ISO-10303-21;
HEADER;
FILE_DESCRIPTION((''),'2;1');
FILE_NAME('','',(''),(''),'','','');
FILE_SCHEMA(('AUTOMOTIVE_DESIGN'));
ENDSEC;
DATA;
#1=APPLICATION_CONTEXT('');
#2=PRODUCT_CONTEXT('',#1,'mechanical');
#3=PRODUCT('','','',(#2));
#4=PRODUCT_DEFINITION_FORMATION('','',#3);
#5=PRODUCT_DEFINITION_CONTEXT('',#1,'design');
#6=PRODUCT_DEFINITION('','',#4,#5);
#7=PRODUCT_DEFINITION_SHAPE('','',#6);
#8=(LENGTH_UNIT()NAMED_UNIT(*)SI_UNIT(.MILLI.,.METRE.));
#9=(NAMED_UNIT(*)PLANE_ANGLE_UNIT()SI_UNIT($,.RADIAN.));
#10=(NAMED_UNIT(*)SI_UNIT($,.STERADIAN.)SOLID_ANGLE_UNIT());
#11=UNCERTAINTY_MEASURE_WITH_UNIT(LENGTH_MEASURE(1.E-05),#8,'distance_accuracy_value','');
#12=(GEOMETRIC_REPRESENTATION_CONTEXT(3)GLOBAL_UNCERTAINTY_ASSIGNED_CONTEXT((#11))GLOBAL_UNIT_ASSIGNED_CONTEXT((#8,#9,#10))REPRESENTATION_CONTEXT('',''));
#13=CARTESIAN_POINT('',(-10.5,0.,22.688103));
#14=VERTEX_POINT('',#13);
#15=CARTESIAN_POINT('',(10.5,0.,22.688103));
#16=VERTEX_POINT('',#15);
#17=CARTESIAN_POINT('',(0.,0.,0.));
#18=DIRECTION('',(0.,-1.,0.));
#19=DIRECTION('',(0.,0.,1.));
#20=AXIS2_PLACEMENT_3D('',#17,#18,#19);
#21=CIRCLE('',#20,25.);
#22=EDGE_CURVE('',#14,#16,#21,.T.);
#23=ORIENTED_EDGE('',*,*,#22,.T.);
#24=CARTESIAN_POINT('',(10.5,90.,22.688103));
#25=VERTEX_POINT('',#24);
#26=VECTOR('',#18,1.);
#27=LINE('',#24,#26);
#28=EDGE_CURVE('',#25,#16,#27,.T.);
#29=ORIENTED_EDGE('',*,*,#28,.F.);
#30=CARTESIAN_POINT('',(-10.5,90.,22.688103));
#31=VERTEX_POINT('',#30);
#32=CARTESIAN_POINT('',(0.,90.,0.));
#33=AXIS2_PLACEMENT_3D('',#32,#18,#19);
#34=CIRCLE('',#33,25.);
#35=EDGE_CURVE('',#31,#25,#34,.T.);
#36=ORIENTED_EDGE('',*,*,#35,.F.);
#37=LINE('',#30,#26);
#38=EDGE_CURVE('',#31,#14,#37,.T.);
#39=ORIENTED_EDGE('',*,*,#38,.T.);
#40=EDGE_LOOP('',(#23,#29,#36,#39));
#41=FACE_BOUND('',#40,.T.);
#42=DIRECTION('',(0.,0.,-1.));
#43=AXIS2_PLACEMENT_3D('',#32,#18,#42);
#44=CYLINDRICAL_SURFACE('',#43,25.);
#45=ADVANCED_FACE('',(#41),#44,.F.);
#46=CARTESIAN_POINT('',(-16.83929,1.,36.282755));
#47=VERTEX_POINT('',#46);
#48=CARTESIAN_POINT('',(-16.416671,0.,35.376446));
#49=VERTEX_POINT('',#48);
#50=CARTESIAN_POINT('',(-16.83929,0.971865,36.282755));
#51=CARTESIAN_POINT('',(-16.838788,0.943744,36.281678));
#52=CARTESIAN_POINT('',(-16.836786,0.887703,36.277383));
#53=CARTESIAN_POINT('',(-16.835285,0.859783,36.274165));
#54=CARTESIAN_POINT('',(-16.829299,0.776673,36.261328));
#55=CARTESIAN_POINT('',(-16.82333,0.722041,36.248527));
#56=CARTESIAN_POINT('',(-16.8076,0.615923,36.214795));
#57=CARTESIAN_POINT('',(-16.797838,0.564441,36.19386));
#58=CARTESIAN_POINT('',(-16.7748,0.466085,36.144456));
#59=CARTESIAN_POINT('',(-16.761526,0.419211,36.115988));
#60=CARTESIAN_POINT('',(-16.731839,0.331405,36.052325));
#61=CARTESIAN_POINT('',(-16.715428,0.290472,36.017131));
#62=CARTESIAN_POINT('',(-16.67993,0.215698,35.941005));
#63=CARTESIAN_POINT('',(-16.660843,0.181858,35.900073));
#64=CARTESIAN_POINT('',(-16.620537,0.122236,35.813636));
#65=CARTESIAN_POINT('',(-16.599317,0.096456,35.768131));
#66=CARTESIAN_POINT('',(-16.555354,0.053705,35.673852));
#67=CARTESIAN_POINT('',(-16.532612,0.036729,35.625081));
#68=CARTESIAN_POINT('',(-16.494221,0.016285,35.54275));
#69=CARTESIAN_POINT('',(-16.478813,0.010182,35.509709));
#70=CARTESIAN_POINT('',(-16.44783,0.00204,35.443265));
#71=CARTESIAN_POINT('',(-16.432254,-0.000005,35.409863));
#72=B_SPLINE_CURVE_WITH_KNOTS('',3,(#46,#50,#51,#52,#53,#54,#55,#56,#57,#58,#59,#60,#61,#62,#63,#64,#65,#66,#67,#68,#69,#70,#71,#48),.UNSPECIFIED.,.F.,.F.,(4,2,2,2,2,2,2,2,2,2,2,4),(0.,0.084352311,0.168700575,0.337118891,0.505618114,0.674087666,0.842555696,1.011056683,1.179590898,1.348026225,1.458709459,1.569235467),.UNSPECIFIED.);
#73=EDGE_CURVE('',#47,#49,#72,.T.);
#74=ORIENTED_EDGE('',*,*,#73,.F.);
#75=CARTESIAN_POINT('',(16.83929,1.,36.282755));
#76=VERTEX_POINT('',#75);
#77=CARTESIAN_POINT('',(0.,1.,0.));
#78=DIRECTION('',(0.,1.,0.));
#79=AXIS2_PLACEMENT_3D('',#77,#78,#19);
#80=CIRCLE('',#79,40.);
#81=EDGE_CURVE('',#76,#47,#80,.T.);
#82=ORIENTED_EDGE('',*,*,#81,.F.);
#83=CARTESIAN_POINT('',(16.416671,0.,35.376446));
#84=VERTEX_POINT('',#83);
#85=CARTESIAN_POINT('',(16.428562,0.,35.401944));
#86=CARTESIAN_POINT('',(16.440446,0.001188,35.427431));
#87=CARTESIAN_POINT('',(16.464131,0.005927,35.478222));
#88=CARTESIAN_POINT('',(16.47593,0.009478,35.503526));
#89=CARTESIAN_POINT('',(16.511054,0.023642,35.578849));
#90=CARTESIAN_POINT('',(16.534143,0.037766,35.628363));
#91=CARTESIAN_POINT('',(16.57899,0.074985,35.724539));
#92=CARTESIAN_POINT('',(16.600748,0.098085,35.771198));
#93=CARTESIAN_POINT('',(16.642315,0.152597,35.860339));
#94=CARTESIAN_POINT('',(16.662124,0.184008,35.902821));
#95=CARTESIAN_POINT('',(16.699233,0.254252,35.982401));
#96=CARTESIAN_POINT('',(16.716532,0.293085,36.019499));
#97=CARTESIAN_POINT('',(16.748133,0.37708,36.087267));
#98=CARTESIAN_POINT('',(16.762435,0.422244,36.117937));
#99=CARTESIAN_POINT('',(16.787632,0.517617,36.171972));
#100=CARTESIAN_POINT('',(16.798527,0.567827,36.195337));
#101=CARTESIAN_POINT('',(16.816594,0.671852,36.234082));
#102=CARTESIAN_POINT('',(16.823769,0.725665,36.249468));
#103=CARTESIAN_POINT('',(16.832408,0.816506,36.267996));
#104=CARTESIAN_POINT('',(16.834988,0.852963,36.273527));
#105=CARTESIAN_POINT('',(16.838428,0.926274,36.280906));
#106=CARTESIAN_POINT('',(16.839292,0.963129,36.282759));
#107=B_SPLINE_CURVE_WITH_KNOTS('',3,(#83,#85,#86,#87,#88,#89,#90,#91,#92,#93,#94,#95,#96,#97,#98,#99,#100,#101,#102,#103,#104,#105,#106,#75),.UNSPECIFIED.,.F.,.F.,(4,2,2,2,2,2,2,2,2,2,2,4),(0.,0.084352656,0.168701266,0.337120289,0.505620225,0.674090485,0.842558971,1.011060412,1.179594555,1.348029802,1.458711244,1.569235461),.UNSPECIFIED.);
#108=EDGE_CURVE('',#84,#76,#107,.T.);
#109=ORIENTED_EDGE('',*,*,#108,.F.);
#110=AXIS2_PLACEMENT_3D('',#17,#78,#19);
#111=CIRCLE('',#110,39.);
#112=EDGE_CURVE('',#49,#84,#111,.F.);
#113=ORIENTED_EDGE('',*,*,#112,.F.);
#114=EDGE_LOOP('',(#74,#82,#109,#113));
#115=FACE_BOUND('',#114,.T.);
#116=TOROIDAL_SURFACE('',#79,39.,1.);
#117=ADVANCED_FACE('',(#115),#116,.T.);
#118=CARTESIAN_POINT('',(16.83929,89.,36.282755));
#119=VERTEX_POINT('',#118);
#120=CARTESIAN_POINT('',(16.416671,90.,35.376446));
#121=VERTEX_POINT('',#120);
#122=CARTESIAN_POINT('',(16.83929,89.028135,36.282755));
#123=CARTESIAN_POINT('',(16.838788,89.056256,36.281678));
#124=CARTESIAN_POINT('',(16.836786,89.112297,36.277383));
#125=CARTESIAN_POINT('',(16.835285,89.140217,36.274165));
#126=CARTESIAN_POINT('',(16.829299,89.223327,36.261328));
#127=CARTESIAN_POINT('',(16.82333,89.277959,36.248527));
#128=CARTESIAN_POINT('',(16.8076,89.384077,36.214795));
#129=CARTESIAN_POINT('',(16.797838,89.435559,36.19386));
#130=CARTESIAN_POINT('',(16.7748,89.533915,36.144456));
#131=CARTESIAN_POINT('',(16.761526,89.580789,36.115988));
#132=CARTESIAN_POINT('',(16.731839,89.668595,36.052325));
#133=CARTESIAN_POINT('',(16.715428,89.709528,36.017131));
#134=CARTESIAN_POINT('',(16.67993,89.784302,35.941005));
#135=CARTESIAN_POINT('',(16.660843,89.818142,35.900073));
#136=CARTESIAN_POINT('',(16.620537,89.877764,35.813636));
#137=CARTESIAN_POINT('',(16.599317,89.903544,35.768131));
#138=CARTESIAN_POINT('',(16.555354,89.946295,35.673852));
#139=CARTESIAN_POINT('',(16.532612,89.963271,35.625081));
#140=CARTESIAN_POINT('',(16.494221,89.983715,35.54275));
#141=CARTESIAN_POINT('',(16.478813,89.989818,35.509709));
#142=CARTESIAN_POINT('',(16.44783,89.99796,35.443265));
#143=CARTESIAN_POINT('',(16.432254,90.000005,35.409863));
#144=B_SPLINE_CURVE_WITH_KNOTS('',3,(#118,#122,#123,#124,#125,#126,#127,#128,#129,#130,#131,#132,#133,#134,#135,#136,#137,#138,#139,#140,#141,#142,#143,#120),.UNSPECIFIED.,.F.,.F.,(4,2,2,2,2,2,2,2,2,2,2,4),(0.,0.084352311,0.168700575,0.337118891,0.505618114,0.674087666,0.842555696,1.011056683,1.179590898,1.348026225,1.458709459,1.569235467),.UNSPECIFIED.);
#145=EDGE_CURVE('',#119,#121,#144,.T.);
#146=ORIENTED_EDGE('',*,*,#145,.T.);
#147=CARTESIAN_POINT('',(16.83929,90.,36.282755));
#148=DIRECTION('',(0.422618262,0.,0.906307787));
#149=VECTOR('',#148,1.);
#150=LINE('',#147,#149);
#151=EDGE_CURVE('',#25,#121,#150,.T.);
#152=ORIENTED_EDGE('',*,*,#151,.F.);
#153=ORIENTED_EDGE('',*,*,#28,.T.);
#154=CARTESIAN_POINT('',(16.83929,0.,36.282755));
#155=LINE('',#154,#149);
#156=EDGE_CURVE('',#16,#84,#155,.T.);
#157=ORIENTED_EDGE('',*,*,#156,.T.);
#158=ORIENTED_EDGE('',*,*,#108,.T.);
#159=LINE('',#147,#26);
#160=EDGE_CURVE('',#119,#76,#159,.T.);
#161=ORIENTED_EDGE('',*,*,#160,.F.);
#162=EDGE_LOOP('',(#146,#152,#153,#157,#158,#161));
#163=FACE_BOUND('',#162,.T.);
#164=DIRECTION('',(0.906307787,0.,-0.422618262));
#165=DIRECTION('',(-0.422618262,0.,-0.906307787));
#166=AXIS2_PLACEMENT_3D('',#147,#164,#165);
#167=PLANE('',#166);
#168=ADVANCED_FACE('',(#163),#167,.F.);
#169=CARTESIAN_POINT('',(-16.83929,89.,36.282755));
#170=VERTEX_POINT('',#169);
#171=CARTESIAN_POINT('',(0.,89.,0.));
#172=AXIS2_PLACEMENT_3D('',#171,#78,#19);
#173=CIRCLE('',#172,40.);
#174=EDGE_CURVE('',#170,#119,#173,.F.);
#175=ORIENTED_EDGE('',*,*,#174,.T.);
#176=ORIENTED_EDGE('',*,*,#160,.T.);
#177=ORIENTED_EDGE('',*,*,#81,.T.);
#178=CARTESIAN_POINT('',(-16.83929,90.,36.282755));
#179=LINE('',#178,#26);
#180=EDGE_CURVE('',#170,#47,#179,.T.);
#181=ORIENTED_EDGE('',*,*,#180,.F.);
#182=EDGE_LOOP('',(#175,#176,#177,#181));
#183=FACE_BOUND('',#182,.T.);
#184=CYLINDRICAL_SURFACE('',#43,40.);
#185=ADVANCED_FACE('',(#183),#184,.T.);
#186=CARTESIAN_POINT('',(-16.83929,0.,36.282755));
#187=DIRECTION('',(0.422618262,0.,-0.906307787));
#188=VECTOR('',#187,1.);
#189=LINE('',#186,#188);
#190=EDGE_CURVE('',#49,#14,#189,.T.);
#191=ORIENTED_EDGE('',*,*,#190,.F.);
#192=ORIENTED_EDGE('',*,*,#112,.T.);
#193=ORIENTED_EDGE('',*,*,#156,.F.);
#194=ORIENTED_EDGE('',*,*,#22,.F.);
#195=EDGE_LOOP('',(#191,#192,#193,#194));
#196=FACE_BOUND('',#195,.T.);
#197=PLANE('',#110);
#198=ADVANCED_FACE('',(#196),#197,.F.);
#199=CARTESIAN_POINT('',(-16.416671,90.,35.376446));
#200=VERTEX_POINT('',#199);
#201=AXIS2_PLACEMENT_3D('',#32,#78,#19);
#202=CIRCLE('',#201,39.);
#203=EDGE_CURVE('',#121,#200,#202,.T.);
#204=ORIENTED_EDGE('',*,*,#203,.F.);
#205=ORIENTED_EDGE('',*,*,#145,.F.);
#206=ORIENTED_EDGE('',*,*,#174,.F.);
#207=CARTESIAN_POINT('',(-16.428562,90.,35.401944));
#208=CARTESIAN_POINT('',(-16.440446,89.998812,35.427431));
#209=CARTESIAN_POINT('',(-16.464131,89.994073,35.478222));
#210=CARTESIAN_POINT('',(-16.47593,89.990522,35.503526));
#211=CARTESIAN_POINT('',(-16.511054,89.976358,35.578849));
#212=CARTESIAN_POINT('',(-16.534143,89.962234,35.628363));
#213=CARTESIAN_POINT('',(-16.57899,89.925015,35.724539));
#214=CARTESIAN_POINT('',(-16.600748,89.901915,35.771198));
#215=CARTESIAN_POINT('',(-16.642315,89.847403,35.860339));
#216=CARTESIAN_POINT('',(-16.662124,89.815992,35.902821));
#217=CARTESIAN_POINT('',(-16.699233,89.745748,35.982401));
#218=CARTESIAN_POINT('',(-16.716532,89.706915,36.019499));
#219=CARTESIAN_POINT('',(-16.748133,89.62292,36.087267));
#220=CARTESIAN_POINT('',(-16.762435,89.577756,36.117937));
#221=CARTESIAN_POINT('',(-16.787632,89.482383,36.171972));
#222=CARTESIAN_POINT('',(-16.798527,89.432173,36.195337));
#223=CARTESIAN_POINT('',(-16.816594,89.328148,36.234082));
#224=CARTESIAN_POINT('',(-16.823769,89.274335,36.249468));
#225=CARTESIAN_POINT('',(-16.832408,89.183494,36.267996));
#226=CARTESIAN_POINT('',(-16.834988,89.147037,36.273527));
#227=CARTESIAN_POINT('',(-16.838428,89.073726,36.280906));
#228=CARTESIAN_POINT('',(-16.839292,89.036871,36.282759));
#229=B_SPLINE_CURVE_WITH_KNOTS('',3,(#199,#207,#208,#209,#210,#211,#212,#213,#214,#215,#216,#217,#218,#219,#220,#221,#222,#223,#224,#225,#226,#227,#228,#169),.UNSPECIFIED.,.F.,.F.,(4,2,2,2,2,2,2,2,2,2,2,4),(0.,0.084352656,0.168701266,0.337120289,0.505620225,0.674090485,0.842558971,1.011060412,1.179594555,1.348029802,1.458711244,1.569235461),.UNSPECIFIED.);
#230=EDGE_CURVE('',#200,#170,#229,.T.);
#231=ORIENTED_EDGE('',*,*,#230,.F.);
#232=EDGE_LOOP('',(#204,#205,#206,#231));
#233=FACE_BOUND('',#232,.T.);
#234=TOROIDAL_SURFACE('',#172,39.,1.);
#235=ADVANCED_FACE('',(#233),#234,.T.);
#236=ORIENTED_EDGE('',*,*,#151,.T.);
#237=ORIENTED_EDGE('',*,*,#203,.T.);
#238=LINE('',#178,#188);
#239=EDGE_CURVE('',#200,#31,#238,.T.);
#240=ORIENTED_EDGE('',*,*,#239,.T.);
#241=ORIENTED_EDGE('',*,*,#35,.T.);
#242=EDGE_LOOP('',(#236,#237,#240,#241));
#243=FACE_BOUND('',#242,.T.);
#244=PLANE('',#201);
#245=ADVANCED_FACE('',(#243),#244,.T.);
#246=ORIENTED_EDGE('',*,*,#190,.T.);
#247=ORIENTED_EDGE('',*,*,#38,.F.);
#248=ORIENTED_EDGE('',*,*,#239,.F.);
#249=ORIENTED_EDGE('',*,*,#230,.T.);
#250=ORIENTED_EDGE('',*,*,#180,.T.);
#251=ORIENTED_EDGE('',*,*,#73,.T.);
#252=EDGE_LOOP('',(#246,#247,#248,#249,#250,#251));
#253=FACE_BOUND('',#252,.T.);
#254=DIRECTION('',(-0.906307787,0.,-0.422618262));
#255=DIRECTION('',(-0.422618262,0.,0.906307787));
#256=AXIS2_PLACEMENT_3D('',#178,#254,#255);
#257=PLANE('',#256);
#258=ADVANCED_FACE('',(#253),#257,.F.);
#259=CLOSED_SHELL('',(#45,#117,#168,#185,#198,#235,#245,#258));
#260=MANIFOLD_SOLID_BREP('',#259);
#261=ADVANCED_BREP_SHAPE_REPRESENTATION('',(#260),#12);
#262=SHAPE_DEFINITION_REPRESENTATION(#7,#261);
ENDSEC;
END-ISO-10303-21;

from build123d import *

# Parameters (mm, degrees)
BOSS_EXTRUDE1_DEPTH = 90
FILLET1_R           = 1


with BuildPart() as part:
    # Sketch1 → Boss-Extrude1 (new body)
    with BuildSketch(Plane(origin=(0, 0, 0), x_dir=(1, 0, 0), z_dir=(0, 1, 0))):
        with BuildLine():
            Line((-16.839290437, -36.282754823), (-10.5, -22.688102609))
            ThreePointArc((-10.5, -22.688102609), (0, 25), (10.5, -22.688102609))
            Line((10.5, -22.688102609), (16.839290437, -36.282754823))
            ThreePointArc((16.839290437, -36.282754823), (0, 40), (-16.839290437, -36.282754823))
        make_face()
    extrude(amount=BOSS_EXTRUDE1_DEPTH)

    # Fillet1
    fillet1_edges = [part.edges().sort_by_distance(p)[0] for p in [
        (0, 90, -40),
        (0, 0, -40),
    ]]
    fillet(fillet1_edges, radius=FILLET1_R)


solid = part.part
